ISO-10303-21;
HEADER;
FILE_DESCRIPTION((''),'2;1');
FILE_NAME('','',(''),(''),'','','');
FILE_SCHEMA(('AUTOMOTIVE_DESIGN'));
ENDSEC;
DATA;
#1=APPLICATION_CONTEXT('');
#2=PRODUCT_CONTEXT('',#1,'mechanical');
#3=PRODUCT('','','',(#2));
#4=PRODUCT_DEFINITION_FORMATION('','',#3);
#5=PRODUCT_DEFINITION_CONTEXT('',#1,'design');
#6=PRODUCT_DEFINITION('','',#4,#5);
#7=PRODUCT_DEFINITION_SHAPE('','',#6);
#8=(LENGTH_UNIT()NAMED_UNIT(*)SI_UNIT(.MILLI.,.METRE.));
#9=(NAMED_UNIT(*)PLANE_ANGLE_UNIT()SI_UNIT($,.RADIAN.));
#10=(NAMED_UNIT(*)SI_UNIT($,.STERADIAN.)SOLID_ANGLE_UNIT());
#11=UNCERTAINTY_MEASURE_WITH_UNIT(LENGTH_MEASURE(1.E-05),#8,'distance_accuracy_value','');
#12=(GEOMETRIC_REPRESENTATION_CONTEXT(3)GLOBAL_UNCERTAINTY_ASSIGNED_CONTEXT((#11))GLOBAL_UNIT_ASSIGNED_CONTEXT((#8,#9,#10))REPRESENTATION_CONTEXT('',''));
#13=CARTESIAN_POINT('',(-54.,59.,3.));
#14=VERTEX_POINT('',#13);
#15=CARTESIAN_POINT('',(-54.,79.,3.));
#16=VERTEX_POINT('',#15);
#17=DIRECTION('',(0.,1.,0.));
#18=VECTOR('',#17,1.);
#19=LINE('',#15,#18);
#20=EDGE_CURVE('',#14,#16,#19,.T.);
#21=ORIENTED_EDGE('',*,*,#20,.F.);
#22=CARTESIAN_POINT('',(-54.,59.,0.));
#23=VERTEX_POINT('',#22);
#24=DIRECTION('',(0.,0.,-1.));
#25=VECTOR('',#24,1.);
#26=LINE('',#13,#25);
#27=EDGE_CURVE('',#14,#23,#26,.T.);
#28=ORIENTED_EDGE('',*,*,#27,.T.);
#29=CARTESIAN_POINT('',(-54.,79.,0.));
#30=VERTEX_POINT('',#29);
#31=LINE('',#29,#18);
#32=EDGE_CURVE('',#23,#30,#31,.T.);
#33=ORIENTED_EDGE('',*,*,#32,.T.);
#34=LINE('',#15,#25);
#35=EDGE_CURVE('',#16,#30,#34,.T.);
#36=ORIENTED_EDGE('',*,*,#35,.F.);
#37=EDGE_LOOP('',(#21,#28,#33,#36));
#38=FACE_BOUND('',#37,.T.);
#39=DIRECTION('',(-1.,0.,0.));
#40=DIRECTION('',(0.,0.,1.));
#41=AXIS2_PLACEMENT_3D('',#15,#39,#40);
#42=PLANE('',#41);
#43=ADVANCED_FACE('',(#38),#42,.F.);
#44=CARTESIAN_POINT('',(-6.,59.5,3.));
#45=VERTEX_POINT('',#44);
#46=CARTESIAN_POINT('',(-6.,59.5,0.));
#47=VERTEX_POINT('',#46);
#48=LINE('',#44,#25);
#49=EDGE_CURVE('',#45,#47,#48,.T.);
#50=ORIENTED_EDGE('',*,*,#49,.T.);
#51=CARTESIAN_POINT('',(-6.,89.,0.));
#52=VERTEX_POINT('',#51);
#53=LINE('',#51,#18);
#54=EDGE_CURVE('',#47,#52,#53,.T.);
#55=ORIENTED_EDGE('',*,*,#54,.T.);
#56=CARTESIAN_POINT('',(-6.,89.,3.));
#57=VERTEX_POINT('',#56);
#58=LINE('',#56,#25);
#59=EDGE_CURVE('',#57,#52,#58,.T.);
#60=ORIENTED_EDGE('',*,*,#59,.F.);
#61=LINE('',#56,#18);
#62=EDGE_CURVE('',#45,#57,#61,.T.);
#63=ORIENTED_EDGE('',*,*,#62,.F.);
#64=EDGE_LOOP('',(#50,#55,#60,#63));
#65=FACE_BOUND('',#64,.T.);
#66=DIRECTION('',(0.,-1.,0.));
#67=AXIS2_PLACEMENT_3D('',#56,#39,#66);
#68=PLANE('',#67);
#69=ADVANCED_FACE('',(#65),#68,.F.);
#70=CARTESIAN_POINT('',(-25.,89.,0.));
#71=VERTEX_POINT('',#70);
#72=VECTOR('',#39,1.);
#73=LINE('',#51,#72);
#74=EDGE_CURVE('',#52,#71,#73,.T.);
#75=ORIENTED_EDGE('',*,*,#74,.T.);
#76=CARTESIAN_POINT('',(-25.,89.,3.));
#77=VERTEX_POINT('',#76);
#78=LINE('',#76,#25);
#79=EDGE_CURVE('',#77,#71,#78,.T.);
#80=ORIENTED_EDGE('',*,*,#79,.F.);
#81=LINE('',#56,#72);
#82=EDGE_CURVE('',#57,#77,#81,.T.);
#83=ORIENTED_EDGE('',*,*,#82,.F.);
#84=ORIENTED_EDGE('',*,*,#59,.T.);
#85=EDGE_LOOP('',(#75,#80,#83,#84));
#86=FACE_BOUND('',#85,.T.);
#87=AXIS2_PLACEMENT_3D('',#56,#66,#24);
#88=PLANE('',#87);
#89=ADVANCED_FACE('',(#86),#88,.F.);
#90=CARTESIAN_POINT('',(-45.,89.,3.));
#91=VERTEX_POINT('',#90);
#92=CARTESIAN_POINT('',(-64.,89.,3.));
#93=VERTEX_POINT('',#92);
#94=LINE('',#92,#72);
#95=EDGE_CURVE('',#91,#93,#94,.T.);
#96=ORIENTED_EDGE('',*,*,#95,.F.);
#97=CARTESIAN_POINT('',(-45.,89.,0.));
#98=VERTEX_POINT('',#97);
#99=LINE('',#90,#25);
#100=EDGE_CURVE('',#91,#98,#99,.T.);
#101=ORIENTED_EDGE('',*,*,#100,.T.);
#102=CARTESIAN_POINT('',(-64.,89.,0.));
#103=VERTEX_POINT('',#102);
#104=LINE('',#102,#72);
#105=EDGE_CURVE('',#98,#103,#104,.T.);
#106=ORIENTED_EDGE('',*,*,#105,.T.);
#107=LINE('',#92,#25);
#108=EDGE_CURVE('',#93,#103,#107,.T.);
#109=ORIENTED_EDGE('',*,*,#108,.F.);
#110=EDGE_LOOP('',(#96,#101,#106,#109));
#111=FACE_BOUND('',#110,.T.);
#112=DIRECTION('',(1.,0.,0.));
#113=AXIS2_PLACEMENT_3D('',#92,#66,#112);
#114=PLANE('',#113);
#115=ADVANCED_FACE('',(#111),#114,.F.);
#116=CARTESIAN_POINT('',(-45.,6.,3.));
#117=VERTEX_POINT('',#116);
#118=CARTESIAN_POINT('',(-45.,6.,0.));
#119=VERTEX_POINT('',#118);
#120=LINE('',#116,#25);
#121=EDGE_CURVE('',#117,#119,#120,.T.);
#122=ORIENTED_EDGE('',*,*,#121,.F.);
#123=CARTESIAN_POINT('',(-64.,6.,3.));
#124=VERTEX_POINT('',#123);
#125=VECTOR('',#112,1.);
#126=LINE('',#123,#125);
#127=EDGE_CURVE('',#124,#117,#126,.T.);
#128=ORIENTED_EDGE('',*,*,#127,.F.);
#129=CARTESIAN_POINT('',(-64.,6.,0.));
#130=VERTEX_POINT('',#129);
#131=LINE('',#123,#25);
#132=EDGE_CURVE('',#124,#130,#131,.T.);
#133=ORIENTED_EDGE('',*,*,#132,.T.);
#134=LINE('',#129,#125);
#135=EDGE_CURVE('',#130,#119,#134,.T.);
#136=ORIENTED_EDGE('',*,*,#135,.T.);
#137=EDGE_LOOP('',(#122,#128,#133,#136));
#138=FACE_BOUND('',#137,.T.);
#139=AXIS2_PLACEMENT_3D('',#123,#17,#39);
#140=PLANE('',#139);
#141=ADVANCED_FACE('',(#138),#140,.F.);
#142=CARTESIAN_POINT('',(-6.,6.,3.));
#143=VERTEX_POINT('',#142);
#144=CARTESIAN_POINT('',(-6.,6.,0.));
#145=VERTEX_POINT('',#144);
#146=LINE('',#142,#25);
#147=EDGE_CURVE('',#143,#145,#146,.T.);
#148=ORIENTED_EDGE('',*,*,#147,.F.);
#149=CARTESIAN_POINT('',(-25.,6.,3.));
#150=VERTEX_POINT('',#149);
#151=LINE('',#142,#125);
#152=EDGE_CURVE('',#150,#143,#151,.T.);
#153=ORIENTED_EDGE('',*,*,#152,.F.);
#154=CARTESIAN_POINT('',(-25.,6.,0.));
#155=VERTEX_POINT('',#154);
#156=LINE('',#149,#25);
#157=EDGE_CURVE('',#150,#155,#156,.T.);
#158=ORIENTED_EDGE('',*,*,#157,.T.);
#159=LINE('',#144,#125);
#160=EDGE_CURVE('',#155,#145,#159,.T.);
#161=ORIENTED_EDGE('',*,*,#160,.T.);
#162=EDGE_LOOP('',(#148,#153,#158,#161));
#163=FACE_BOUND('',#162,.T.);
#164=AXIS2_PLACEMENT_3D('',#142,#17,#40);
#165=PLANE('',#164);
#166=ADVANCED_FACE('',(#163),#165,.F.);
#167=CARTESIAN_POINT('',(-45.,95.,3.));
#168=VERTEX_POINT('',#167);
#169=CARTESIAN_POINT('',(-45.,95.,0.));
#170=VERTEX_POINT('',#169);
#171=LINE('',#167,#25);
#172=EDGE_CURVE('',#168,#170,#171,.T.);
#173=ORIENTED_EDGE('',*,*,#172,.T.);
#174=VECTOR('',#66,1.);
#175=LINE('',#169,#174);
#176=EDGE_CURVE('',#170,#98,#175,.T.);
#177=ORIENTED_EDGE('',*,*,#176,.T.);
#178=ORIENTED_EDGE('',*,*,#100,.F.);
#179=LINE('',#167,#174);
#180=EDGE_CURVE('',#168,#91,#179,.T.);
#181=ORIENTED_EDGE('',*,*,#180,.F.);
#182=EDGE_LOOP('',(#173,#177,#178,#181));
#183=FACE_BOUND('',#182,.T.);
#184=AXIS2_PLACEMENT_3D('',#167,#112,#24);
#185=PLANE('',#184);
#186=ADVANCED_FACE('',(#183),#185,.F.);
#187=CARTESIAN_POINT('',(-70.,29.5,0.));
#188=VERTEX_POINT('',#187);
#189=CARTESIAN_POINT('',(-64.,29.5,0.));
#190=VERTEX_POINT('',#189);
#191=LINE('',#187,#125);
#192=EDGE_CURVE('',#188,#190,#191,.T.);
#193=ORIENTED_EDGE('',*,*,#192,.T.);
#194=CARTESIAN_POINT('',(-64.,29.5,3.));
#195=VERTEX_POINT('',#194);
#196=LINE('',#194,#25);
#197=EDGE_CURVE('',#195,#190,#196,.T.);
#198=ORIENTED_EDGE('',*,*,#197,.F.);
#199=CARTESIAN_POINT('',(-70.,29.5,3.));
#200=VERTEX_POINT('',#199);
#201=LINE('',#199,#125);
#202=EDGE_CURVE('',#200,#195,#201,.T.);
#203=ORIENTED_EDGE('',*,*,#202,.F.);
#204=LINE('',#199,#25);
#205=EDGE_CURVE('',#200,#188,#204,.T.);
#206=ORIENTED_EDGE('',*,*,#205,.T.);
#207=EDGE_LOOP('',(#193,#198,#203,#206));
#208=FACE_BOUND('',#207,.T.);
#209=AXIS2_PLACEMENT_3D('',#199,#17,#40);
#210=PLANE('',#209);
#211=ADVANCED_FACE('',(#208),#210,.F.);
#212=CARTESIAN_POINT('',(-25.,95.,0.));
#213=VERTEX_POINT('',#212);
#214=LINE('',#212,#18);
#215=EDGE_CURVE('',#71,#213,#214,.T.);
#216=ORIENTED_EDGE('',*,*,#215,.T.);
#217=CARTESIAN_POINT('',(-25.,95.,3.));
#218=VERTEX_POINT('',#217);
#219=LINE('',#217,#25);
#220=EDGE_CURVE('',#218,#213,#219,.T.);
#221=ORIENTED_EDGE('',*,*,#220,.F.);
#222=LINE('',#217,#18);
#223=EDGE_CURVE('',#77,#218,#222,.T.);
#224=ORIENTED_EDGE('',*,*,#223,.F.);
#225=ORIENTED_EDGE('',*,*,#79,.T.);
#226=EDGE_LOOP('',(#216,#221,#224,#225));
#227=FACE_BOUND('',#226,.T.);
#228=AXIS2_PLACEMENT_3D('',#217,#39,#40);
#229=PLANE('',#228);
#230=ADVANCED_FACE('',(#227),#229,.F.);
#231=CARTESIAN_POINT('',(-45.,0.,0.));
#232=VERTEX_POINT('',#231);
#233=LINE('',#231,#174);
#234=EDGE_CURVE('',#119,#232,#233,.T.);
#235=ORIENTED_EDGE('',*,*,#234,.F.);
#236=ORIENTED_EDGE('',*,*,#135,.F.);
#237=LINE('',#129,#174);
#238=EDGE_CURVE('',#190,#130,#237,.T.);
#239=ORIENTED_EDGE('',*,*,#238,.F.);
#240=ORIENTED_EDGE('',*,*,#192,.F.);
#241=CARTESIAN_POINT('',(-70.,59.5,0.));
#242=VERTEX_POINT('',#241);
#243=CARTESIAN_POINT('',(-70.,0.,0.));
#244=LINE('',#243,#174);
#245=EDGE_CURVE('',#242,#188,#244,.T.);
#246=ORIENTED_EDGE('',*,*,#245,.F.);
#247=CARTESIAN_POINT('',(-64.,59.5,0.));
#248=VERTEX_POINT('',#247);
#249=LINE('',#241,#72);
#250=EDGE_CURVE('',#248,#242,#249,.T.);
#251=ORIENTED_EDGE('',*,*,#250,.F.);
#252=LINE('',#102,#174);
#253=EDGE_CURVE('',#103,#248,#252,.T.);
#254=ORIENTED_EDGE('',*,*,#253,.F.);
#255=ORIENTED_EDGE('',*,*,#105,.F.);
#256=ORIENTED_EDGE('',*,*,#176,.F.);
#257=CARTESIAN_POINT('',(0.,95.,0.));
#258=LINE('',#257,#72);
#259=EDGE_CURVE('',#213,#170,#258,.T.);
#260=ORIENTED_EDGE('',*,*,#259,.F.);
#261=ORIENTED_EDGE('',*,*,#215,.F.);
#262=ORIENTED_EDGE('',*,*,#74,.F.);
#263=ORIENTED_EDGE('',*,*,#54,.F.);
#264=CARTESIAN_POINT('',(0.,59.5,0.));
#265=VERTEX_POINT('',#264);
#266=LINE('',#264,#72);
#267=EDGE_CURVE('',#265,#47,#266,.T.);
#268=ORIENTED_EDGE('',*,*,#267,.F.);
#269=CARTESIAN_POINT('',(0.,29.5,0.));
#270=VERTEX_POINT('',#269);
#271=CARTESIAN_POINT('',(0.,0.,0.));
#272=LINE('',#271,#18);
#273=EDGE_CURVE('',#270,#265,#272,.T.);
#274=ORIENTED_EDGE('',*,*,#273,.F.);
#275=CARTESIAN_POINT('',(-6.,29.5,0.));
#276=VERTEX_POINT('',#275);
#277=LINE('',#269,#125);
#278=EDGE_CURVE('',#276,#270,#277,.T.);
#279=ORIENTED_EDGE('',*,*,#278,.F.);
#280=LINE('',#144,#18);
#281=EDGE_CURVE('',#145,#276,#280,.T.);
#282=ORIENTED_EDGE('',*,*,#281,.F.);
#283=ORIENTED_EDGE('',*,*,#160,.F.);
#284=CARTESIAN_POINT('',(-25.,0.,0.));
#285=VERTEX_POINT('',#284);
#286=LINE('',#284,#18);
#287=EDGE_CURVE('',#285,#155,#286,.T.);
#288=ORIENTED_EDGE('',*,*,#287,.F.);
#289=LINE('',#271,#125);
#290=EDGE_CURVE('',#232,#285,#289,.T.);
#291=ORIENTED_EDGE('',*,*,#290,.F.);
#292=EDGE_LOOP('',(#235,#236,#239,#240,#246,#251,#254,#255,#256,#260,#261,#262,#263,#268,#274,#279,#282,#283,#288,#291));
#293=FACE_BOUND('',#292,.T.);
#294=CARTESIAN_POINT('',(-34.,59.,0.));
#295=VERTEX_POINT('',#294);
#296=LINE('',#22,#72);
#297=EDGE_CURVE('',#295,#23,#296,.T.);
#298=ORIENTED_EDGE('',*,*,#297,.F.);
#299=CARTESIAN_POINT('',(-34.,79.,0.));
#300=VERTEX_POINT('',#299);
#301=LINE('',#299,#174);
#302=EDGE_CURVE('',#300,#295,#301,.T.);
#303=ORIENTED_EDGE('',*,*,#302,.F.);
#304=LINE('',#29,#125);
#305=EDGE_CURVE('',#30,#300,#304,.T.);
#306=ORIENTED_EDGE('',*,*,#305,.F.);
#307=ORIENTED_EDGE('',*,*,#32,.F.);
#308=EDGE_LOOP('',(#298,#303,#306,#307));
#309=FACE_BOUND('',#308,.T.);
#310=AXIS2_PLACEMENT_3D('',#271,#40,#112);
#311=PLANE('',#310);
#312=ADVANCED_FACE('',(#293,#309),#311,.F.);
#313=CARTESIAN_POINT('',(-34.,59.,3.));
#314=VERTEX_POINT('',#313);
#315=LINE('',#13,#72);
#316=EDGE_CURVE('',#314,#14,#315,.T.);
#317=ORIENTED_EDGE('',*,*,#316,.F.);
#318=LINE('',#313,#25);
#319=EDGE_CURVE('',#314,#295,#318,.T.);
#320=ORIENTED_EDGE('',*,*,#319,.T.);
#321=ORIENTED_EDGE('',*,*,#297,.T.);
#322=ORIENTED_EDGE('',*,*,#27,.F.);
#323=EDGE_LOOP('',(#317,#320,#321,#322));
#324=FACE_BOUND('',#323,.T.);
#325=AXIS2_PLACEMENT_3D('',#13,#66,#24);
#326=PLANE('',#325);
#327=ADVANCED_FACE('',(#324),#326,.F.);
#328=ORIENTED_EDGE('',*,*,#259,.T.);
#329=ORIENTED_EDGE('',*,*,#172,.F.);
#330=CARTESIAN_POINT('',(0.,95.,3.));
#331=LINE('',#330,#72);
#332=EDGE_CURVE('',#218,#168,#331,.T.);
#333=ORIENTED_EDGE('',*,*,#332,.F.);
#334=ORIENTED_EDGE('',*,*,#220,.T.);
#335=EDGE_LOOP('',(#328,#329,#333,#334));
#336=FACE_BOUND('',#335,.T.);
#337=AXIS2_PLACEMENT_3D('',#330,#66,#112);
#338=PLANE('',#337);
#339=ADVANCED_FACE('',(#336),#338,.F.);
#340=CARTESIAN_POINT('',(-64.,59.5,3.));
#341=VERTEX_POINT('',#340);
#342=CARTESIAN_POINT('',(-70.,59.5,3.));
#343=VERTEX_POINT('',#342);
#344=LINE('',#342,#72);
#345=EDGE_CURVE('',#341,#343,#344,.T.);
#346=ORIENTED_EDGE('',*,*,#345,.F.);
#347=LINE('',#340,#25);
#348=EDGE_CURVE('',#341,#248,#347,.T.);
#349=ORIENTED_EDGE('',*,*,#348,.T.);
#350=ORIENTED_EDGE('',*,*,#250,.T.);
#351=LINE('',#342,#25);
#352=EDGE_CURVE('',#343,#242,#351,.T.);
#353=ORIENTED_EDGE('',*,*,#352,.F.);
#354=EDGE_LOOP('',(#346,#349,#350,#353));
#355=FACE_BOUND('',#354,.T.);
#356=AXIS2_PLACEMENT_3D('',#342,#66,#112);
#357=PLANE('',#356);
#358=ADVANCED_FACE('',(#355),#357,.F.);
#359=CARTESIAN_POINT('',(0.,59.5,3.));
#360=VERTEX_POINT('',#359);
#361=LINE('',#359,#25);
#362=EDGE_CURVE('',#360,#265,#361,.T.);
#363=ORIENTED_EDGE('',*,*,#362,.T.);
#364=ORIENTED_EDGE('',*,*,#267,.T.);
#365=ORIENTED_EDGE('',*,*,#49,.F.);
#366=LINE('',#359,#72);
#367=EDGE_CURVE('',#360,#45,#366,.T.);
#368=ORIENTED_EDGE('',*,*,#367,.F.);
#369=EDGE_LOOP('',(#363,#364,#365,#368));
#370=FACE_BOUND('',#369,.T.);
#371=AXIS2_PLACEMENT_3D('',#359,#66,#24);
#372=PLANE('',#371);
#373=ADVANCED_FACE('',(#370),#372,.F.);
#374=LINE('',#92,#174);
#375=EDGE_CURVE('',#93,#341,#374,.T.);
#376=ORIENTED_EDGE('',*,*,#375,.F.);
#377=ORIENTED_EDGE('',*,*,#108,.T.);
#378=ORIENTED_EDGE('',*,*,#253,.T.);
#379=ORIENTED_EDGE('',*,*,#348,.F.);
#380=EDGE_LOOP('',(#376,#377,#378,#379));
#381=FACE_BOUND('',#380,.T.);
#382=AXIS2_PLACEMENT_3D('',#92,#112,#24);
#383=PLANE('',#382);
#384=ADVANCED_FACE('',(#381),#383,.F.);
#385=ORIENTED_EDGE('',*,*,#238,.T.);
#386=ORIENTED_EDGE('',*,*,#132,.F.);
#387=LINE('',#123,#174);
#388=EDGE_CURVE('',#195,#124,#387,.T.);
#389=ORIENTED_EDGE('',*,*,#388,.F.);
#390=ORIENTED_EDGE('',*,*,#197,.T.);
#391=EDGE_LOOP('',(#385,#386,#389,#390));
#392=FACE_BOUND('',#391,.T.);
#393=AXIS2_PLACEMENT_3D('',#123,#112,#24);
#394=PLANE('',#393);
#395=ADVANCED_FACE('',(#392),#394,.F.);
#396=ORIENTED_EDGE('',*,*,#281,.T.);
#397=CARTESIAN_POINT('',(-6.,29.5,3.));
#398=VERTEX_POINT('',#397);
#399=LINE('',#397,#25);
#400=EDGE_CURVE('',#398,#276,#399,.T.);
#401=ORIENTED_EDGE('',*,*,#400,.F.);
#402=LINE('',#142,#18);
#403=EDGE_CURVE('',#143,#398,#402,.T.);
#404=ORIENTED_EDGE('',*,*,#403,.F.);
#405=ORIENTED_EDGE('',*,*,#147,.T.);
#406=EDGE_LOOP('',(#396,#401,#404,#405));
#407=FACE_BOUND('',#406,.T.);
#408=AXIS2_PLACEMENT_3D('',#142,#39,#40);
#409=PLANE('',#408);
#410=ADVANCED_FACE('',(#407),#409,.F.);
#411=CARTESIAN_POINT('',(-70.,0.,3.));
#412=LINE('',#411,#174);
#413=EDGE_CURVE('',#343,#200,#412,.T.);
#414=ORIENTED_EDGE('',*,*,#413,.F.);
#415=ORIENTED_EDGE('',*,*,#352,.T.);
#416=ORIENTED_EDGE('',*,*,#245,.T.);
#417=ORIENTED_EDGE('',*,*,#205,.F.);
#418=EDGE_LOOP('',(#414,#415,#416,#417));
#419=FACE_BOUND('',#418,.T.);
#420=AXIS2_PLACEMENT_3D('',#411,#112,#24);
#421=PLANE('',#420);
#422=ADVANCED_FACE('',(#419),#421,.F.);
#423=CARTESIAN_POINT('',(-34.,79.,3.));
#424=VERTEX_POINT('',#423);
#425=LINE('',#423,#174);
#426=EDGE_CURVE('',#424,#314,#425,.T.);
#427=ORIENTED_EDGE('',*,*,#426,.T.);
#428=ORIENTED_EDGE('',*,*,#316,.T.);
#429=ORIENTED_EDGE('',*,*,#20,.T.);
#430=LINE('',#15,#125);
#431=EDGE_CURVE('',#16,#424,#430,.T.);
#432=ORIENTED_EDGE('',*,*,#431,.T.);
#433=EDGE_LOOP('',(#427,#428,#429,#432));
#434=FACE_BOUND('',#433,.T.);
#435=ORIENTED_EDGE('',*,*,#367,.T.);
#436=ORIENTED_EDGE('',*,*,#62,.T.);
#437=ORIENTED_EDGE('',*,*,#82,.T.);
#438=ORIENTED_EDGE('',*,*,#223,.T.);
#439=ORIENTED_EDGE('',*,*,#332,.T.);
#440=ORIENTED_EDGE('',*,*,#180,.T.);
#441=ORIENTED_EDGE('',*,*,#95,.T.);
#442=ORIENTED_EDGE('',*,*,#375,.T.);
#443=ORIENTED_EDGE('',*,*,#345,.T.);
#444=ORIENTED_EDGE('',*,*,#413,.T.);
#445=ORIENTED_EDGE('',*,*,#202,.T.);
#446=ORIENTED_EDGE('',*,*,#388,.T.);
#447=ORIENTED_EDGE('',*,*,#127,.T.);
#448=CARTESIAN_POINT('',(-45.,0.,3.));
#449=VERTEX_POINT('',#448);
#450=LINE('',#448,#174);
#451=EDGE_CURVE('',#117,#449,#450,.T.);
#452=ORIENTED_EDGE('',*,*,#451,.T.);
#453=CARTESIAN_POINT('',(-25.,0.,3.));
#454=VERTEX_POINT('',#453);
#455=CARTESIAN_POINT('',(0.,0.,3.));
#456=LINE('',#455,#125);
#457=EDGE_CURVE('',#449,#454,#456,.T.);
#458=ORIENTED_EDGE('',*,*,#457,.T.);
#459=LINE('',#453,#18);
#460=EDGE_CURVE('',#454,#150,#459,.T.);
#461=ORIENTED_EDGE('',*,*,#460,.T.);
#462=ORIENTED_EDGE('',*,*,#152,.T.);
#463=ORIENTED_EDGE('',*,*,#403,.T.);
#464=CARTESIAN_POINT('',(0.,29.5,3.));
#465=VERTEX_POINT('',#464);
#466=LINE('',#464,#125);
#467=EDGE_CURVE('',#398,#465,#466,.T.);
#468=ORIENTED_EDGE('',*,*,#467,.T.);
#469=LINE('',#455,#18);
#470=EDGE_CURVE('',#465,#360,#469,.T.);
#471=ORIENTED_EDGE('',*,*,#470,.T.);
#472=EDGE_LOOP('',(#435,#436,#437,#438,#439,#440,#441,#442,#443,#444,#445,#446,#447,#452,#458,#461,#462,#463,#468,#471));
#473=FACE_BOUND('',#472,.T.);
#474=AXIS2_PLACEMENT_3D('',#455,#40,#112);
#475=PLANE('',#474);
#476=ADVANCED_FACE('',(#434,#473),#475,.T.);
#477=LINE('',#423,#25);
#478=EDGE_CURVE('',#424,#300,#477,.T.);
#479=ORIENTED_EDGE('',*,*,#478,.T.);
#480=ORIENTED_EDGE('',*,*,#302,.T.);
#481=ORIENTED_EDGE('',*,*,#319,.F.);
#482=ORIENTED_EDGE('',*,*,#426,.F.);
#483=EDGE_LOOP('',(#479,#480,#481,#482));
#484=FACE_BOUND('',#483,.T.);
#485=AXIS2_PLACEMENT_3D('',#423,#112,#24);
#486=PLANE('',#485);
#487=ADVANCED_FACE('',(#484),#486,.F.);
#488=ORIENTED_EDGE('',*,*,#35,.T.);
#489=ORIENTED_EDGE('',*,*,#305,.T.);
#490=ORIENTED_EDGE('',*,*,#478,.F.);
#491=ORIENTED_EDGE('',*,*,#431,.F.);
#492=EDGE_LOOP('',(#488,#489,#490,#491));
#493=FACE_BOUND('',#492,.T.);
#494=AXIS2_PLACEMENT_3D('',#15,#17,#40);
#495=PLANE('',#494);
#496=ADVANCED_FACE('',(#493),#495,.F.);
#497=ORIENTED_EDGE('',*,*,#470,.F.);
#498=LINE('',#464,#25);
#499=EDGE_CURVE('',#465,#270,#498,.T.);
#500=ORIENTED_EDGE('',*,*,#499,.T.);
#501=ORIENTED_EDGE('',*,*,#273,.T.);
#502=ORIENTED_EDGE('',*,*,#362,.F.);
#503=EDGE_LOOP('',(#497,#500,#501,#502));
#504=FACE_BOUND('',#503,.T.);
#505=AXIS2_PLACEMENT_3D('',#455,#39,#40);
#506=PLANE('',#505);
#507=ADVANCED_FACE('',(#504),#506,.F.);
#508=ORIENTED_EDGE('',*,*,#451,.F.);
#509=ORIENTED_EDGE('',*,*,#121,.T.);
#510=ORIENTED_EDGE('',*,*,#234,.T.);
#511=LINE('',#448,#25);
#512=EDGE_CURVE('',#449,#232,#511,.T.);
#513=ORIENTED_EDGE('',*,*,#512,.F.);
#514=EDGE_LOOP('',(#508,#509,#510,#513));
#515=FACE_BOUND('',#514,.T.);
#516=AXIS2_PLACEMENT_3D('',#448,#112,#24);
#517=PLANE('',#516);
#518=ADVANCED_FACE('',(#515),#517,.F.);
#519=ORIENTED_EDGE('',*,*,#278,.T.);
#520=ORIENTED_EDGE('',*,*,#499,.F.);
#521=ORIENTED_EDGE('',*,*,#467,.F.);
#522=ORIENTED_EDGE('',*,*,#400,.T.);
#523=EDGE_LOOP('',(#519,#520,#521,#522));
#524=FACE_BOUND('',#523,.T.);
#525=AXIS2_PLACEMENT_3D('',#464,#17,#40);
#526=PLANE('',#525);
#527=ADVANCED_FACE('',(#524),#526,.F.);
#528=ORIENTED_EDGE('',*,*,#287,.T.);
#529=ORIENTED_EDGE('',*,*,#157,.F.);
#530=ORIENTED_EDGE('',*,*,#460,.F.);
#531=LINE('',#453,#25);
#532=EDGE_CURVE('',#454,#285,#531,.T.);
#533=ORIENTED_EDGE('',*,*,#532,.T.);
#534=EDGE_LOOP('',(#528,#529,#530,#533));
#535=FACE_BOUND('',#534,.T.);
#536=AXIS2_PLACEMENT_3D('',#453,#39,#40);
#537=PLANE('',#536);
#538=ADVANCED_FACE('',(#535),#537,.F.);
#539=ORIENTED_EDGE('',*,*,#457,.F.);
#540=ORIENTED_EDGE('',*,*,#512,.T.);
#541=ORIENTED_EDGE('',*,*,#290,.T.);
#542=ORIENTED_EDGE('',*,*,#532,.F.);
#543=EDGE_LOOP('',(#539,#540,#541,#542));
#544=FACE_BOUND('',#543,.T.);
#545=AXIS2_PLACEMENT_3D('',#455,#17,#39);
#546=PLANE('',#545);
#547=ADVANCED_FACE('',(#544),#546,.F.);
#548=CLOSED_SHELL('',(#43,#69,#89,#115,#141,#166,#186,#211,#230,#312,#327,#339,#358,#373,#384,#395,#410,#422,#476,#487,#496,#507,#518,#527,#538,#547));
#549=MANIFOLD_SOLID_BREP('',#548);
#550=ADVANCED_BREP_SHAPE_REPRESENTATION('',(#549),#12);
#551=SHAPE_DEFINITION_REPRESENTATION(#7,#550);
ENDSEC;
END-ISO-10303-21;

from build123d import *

# Parameters (mm, degrees)
ESQUISSE1_W             = 70
ESQUISSE1_H             = 95
BOSS_EXTRU_1_DEPTH      = 3
ESQUISSE2_W             = 20
ESQUISSE2_H             = 20
ENL_V_MAT_EXTRU_1_DEPTH = 119.042365276


with BuildPart() as part:
    # Esquisse1 → Boss.-Extru.1 (new body)
    with BuildSketch(Plane.XY):
        with Locations((-35, 47.5)):
            Rectangle(ESQUISSE1_W, ESQUISSE1_H)
    extrude(amount=BOSS_EXTRU_1_DEPTH)

    # Esquisse2 → Enlèv. mat.-Extru.1 (cut, through all)
    with BuildSketch(Plane(origin=(0, 0, 0), x_dir=(-1, 0, 0), z_dir=(0, 0, -1))):
        Polygon((0, 95), (25, 95), (25, 89), (6, 89), (6, 59.5), (0, 59.5), align=None)
        Polygon((70, 95), (45, 95), (45, 89), (64, 89), (64, 59.5), (70, 59.5), align=None)
        Polygon((0, 0), (25, 0), (25, 6), (6, 6), (6, 29.5), (0, 29.5), align=None)
        Polygon((45, 0), (70, 0), (70, 29.5), (64, 29.5), (64, 6), (45, 6), align=None)
        with Locations((44, 69)):
            Rectangle(ESQUISSE2_W, ESQUISSE2_H)
    extrude(amount=-ENL_V_MAT_EXTRU_1_DEPTH, mode=Mode.SUBTRACT)


solid = part.part
